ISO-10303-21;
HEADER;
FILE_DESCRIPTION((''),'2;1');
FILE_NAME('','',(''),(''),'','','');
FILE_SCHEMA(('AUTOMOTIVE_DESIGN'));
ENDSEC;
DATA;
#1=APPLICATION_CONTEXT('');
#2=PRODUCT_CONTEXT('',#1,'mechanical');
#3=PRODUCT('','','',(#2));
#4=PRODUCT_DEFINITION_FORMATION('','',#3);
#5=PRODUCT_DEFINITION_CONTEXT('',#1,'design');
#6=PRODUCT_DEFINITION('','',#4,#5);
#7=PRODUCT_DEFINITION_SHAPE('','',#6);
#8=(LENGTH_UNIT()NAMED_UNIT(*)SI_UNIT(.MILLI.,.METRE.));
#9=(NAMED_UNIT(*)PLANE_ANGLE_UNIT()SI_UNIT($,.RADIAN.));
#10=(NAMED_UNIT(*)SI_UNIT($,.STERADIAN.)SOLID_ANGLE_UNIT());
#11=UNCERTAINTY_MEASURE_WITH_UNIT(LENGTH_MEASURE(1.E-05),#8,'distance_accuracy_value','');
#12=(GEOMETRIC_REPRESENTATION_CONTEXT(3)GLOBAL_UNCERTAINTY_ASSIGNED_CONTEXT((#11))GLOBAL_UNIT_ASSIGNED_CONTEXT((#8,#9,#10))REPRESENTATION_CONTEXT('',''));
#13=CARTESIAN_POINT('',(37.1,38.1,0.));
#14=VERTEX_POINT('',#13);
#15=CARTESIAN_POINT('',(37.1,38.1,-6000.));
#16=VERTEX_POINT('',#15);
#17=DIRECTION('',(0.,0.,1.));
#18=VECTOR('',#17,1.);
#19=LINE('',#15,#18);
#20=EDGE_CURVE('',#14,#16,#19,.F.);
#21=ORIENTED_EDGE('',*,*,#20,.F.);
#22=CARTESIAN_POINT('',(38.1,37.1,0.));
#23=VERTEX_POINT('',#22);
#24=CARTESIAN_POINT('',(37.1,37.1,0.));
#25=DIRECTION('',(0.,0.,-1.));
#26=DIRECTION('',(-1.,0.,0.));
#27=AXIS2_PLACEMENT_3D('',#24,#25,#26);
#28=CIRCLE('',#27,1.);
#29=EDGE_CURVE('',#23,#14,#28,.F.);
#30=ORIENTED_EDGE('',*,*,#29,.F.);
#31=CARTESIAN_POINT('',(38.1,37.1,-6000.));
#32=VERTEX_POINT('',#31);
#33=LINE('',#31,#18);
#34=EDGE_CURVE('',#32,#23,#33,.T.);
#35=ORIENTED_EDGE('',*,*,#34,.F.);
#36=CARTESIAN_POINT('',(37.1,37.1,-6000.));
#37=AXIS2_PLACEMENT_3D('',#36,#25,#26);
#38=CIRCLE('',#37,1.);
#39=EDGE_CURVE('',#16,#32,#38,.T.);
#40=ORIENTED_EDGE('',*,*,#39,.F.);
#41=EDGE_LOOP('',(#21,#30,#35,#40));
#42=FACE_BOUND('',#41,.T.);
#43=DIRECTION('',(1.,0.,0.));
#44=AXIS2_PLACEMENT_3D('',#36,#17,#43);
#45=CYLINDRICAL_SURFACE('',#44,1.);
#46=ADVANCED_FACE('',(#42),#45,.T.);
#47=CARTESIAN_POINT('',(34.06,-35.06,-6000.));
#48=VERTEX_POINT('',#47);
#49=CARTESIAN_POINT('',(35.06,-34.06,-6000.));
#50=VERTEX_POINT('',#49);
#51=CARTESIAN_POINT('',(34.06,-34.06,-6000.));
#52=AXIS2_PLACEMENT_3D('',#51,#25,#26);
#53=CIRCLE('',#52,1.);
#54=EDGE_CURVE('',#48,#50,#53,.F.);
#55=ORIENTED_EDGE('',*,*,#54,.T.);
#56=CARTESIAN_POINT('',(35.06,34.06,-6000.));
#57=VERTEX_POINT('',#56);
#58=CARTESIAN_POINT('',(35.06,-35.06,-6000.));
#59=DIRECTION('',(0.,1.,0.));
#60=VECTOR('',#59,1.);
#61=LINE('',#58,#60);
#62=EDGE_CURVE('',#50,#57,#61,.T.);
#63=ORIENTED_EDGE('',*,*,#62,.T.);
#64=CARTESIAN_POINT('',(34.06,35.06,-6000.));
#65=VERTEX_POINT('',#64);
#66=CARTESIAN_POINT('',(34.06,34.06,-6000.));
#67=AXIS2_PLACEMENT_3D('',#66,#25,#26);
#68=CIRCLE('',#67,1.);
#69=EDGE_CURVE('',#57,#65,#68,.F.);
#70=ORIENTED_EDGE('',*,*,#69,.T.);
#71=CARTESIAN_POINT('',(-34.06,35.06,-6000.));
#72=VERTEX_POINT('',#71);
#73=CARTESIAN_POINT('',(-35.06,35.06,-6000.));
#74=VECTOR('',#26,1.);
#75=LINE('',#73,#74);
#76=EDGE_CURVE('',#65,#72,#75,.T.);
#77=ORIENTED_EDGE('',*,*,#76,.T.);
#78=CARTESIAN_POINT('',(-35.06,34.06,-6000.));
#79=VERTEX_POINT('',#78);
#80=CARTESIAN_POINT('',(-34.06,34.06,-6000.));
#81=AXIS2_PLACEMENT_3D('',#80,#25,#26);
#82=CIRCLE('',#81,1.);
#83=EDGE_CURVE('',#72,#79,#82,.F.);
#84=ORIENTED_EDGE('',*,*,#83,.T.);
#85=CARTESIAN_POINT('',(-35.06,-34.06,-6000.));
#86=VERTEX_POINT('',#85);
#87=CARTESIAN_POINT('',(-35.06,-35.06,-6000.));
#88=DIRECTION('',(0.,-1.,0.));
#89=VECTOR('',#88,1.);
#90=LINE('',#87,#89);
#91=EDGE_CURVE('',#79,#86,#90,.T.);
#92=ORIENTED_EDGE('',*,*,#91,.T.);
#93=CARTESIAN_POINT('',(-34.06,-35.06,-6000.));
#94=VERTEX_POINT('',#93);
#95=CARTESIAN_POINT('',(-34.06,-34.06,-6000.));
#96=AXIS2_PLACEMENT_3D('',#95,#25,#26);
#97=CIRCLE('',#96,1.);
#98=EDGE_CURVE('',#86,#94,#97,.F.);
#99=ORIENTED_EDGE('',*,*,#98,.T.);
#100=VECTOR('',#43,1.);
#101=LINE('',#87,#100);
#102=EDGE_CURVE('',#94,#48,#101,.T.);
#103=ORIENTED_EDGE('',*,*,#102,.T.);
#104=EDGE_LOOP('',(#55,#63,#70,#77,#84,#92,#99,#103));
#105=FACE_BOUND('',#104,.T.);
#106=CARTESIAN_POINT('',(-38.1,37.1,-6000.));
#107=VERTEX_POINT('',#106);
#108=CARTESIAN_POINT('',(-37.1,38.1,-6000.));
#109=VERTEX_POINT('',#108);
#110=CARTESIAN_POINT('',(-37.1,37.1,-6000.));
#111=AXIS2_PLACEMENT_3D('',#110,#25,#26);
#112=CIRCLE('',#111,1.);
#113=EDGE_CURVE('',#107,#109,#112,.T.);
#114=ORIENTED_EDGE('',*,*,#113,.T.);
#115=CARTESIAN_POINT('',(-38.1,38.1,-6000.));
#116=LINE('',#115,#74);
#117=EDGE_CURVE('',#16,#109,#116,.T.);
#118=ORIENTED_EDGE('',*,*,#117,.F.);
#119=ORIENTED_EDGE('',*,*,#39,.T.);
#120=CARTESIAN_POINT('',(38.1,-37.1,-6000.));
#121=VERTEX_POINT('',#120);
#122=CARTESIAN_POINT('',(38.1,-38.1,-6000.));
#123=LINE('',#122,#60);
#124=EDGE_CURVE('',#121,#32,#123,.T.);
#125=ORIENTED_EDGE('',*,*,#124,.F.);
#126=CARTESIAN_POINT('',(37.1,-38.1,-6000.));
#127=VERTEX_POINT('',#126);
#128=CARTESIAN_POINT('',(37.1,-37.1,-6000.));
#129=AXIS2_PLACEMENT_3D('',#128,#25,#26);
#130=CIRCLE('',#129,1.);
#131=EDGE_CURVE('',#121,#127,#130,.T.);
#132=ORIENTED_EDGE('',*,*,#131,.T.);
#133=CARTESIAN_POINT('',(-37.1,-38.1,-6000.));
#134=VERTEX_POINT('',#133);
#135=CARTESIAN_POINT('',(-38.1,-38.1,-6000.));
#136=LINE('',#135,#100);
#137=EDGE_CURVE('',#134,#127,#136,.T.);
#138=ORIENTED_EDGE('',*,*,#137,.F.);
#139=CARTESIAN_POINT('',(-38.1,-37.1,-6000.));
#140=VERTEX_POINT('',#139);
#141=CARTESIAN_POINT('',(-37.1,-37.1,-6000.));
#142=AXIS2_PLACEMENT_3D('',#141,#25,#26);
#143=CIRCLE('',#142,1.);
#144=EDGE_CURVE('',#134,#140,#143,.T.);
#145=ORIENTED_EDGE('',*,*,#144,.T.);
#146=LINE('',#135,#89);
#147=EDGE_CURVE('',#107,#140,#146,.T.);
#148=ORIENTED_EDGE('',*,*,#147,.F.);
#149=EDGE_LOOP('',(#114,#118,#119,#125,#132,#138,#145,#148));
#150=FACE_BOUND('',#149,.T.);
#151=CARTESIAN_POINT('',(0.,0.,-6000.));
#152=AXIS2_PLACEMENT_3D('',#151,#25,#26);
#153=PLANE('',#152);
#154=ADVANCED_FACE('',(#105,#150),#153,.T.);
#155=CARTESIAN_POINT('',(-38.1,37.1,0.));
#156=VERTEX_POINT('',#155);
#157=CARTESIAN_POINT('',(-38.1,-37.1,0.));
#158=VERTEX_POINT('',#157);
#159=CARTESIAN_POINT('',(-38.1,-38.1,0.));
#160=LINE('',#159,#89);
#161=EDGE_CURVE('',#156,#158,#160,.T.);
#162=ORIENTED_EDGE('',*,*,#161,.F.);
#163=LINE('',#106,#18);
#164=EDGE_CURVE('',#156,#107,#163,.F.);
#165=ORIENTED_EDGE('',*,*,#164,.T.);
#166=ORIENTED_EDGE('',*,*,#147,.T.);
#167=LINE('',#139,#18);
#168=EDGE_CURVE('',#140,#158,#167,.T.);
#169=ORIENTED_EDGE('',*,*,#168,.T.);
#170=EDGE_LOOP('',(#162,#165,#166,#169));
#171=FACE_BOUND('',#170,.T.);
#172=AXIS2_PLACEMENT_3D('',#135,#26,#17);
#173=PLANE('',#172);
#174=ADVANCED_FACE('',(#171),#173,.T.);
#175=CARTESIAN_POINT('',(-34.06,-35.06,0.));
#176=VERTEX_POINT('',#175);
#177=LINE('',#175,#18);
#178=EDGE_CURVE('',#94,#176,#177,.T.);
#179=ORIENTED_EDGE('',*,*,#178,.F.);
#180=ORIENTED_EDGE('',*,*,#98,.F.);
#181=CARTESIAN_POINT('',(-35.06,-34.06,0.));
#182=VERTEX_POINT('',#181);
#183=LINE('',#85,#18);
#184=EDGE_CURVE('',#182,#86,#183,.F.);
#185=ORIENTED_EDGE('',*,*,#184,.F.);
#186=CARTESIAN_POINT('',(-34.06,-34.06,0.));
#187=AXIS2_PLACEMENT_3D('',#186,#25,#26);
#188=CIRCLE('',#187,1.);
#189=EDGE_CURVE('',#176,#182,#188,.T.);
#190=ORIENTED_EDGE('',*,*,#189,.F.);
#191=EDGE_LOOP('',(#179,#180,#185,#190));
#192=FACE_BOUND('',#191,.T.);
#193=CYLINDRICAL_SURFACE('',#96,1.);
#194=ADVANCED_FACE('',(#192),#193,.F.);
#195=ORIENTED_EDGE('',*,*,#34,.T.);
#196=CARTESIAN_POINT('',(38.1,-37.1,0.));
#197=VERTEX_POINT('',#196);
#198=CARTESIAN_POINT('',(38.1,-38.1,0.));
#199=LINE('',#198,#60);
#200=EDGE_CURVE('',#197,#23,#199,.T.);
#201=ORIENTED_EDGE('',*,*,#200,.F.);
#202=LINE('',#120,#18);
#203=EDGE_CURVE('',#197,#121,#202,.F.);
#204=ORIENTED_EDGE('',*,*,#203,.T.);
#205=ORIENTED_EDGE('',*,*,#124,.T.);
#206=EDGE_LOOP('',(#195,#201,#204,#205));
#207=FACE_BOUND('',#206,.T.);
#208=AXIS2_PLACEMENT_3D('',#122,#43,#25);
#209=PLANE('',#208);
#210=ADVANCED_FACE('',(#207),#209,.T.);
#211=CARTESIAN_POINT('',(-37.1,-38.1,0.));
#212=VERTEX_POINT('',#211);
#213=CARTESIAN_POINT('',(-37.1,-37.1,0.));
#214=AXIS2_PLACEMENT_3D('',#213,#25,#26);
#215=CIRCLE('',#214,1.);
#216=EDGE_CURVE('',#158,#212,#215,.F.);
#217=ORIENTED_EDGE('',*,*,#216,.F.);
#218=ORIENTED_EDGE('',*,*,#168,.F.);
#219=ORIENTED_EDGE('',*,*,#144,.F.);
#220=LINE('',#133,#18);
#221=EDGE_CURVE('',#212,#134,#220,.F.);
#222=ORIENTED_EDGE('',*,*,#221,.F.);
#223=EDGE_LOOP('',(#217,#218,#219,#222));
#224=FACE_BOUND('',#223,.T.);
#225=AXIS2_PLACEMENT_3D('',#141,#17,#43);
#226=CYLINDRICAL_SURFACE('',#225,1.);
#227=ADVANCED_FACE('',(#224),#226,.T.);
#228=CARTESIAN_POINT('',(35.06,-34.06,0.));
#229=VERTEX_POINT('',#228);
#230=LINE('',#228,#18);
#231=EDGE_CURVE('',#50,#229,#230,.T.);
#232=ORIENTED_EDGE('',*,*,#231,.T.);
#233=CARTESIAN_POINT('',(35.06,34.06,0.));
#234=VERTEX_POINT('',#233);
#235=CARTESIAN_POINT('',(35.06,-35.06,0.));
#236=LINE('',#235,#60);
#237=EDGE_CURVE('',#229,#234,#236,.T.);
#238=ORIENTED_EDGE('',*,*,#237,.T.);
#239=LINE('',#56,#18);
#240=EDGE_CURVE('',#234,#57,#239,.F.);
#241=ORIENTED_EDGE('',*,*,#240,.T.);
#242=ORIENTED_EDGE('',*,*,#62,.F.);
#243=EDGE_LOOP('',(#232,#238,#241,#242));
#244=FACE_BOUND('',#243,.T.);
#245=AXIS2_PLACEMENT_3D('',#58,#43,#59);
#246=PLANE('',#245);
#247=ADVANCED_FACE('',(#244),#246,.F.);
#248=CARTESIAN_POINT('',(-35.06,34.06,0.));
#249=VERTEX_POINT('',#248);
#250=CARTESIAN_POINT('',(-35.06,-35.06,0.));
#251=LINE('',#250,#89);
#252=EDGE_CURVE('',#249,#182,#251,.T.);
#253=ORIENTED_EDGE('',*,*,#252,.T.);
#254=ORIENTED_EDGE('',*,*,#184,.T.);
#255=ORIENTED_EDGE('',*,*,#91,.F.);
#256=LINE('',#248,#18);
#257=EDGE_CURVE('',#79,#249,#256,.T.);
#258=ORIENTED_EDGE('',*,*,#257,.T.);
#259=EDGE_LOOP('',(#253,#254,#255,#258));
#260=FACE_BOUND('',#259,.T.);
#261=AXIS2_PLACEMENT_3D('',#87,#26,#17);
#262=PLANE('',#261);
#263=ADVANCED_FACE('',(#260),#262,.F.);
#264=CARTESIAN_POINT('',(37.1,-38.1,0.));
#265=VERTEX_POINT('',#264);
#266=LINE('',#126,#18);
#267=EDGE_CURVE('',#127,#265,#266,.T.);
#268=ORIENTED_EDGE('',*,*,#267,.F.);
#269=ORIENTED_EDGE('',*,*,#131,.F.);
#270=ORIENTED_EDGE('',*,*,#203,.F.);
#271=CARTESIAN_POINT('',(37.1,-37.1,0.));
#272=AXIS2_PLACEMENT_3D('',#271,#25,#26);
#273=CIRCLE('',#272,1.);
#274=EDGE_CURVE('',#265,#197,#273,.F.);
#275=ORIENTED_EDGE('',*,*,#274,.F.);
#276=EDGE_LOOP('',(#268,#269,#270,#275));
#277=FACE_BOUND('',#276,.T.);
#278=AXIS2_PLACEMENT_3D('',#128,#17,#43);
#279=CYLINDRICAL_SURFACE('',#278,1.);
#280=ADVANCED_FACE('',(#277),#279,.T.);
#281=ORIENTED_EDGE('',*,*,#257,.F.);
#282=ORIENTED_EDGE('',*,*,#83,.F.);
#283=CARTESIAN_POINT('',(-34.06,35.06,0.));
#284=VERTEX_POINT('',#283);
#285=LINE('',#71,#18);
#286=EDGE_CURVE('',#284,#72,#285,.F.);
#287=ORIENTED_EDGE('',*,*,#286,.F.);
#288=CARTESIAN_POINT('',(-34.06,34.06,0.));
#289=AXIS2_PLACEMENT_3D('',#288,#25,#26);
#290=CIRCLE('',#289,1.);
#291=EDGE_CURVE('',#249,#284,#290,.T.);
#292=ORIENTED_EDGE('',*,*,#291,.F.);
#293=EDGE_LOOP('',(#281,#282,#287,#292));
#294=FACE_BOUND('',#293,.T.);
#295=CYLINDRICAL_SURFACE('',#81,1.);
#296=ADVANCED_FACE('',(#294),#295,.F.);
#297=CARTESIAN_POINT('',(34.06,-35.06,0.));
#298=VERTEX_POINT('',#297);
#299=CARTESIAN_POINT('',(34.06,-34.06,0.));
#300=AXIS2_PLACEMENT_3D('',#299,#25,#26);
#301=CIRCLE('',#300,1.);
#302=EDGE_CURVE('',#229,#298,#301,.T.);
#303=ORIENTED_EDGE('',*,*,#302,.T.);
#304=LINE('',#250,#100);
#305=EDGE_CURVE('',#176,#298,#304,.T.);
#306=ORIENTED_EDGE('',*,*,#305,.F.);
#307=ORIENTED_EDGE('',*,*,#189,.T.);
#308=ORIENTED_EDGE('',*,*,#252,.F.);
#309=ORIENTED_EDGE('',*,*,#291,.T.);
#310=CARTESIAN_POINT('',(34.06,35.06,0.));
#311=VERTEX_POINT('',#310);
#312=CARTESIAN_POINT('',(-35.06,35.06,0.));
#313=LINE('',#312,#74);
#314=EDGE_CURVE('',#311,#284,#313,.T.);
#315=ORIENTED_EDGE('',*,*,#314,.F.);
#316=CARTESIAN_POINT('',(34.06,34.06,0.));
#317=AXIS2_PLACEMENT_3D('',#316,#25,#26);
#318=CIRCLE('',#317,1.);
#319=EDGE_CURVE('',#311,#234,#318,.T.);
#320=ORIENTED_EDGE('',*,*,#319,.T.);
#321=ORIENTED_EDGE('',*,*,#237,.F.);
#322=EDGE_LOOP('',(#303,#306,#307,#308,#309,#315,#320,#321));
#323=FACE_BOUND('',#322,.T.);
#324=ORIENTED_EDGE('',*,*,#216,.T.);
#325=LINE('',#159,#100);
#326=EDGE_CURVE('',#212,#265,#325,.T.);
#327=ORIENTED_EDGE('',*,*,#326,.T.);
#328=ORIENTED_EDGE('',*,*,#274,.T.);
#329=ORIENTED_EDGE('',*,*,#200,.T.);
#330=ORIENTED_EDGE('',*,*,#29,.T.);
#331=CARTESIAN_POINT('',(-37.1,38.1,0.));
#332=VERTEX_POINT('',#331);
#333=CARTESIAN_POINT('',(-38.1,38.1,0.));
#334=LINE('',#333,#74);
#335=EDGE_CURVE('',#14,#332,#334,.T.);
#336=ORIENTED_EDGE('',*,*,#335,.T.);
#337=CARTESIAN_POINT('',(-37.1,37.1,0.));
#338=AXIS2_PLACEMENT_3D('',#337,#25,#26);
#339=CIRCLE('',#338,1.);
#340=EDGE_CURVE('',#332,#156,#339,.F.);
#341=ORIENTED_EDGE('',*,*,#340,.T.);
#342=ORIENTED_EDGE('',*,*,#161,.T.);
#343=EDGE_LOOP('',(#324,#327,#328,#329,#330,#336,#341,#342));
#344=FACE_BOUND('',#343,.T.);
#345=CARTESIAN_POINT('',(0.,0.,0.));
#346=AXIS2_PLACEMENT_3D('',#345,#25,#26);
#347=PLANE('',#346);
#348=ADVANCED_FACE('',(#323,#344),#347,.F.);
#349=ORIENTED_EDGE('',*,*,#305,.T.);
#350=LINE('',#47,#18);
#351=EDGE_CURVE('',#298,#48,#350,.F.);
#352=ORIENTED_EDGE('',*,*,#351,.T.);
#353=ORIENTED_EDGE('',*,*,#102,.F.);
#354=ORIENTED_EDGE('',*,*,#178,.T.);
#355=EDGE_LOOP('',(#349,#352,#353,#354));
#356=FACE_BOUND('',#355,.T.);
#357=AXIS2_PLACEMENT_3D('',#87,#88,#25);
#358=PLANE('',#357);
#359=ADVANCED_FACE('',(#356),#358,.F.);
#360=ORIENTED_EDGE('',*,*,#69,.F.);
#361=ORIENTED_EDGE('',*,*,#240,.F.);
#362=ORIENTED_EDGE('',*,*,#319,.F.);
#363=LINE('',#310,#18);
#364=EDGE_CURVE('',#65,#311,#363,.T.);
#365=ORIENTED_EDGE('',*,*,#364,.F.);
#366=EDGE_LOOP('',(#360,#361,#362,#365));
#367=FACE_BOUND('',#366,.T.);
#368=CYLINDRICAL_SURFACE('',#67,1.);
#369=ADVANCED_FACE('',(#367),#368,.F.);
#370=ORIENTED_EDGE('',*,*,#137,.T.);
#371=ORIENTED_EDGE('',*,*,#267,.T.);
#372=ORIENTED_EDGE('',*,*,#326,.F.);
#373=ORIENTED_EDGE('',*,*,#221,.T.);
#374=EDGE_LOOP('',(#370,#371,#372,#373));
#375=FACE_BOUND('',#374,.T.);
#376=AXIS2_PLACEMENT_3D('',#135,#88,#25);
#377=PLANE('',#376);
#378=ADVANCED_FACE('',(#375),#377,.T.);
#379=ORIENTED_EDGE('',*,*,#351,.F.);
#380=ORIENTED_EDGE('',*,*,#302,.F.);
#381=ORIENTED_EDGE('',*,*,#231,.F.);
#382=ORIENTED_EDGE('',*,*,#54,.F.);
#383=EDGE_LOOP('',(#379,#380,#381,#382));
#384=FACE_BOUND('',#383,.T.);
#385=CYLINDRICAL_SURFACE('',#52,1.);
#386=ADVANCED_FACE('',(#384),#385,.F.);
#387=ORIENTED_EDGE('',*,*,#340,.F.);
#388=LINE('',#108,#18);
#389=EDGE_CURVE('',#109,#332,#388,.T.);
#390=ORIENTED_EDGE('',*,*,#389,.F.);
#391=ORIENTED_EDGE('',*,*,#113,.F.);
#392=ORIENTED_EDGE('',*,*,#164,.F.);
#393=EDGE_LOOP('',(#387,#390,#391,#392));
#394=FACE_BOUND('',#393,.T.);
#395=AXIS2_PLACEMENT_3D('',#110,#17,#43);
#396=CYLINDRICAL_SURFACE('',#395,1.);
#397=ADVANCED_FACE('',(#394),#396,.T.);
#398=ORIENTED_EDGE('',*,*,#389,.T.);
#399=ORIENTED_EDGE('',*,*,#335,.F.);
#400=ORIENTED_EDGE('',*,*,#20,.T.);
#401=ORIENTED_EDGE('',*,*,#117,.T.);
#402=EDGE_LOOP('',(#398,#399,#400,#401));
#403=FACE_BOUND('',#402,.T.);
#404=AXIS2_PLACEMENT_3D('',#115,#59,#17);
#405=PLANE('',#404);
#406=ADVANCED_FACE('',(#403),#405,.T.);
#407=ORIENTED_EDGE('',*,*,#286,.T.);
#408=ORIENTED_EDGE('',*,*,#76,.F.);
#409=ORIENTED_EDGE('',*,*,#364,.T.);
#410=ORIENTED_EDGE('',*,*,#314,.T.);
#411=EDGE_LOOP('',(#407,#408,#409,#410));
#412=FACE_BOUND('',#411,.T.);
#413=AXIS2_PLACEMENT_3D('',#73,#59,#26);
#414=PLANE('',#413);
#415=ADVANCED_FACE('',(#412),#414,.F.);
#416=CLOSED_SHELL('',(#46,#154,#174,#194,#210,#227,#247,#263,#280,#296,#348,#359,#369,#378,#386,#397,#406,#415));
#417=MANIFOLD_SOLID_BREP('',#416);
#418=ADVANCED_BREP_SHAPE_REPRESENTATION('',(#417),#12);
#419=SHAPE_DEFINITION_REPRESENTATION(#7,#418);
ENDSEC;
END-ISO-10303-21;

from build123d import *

# Parameters (mm, degrees)
CROQUIS1_W              = 76.2
CROQUIS1_H              = 76.2
CROQUIS1_W_2            = 70.12
CROQUIS1_H_2            = 70.12
SALIENTE_EXTRUIR1_DEPTH = 6000
REDONDEO1_R             = 1


with BuildPart() as part:
    # Croquis1 → Saliente-Extruir1 (new body)
    with BuildSketch(Plane.XY):
        Rectangle(CROQUIS1_W, CROQUIS1_H)
        Rectangle(CROQUIS1_W_2, CROQUIS1_H_2, mode=Mode.SUBTRACT)
    extrude(amount=-SALIENTE_EXTRUIR1_DEPTH)

    # Redondeo1
    redondeo1_edges = [part.edges().sort_by_distance(p)[0] for p in [
        (35.06, -35.06, -3000),
        (-35.06, -35.06, -3000),
        (-35.06, 35.06, -3000),
        (35.06, 35.06, -3000),
        (38.1, -38.1, -3000),
        (-38.1, -38.1, -3000),
        (-38.1, 38.1, -3000),
        (38.1, 38.1, -3000),
    ]]
    fillet(redondeo1_edges, radius=REDONDEO1_R)


solid = part.part
